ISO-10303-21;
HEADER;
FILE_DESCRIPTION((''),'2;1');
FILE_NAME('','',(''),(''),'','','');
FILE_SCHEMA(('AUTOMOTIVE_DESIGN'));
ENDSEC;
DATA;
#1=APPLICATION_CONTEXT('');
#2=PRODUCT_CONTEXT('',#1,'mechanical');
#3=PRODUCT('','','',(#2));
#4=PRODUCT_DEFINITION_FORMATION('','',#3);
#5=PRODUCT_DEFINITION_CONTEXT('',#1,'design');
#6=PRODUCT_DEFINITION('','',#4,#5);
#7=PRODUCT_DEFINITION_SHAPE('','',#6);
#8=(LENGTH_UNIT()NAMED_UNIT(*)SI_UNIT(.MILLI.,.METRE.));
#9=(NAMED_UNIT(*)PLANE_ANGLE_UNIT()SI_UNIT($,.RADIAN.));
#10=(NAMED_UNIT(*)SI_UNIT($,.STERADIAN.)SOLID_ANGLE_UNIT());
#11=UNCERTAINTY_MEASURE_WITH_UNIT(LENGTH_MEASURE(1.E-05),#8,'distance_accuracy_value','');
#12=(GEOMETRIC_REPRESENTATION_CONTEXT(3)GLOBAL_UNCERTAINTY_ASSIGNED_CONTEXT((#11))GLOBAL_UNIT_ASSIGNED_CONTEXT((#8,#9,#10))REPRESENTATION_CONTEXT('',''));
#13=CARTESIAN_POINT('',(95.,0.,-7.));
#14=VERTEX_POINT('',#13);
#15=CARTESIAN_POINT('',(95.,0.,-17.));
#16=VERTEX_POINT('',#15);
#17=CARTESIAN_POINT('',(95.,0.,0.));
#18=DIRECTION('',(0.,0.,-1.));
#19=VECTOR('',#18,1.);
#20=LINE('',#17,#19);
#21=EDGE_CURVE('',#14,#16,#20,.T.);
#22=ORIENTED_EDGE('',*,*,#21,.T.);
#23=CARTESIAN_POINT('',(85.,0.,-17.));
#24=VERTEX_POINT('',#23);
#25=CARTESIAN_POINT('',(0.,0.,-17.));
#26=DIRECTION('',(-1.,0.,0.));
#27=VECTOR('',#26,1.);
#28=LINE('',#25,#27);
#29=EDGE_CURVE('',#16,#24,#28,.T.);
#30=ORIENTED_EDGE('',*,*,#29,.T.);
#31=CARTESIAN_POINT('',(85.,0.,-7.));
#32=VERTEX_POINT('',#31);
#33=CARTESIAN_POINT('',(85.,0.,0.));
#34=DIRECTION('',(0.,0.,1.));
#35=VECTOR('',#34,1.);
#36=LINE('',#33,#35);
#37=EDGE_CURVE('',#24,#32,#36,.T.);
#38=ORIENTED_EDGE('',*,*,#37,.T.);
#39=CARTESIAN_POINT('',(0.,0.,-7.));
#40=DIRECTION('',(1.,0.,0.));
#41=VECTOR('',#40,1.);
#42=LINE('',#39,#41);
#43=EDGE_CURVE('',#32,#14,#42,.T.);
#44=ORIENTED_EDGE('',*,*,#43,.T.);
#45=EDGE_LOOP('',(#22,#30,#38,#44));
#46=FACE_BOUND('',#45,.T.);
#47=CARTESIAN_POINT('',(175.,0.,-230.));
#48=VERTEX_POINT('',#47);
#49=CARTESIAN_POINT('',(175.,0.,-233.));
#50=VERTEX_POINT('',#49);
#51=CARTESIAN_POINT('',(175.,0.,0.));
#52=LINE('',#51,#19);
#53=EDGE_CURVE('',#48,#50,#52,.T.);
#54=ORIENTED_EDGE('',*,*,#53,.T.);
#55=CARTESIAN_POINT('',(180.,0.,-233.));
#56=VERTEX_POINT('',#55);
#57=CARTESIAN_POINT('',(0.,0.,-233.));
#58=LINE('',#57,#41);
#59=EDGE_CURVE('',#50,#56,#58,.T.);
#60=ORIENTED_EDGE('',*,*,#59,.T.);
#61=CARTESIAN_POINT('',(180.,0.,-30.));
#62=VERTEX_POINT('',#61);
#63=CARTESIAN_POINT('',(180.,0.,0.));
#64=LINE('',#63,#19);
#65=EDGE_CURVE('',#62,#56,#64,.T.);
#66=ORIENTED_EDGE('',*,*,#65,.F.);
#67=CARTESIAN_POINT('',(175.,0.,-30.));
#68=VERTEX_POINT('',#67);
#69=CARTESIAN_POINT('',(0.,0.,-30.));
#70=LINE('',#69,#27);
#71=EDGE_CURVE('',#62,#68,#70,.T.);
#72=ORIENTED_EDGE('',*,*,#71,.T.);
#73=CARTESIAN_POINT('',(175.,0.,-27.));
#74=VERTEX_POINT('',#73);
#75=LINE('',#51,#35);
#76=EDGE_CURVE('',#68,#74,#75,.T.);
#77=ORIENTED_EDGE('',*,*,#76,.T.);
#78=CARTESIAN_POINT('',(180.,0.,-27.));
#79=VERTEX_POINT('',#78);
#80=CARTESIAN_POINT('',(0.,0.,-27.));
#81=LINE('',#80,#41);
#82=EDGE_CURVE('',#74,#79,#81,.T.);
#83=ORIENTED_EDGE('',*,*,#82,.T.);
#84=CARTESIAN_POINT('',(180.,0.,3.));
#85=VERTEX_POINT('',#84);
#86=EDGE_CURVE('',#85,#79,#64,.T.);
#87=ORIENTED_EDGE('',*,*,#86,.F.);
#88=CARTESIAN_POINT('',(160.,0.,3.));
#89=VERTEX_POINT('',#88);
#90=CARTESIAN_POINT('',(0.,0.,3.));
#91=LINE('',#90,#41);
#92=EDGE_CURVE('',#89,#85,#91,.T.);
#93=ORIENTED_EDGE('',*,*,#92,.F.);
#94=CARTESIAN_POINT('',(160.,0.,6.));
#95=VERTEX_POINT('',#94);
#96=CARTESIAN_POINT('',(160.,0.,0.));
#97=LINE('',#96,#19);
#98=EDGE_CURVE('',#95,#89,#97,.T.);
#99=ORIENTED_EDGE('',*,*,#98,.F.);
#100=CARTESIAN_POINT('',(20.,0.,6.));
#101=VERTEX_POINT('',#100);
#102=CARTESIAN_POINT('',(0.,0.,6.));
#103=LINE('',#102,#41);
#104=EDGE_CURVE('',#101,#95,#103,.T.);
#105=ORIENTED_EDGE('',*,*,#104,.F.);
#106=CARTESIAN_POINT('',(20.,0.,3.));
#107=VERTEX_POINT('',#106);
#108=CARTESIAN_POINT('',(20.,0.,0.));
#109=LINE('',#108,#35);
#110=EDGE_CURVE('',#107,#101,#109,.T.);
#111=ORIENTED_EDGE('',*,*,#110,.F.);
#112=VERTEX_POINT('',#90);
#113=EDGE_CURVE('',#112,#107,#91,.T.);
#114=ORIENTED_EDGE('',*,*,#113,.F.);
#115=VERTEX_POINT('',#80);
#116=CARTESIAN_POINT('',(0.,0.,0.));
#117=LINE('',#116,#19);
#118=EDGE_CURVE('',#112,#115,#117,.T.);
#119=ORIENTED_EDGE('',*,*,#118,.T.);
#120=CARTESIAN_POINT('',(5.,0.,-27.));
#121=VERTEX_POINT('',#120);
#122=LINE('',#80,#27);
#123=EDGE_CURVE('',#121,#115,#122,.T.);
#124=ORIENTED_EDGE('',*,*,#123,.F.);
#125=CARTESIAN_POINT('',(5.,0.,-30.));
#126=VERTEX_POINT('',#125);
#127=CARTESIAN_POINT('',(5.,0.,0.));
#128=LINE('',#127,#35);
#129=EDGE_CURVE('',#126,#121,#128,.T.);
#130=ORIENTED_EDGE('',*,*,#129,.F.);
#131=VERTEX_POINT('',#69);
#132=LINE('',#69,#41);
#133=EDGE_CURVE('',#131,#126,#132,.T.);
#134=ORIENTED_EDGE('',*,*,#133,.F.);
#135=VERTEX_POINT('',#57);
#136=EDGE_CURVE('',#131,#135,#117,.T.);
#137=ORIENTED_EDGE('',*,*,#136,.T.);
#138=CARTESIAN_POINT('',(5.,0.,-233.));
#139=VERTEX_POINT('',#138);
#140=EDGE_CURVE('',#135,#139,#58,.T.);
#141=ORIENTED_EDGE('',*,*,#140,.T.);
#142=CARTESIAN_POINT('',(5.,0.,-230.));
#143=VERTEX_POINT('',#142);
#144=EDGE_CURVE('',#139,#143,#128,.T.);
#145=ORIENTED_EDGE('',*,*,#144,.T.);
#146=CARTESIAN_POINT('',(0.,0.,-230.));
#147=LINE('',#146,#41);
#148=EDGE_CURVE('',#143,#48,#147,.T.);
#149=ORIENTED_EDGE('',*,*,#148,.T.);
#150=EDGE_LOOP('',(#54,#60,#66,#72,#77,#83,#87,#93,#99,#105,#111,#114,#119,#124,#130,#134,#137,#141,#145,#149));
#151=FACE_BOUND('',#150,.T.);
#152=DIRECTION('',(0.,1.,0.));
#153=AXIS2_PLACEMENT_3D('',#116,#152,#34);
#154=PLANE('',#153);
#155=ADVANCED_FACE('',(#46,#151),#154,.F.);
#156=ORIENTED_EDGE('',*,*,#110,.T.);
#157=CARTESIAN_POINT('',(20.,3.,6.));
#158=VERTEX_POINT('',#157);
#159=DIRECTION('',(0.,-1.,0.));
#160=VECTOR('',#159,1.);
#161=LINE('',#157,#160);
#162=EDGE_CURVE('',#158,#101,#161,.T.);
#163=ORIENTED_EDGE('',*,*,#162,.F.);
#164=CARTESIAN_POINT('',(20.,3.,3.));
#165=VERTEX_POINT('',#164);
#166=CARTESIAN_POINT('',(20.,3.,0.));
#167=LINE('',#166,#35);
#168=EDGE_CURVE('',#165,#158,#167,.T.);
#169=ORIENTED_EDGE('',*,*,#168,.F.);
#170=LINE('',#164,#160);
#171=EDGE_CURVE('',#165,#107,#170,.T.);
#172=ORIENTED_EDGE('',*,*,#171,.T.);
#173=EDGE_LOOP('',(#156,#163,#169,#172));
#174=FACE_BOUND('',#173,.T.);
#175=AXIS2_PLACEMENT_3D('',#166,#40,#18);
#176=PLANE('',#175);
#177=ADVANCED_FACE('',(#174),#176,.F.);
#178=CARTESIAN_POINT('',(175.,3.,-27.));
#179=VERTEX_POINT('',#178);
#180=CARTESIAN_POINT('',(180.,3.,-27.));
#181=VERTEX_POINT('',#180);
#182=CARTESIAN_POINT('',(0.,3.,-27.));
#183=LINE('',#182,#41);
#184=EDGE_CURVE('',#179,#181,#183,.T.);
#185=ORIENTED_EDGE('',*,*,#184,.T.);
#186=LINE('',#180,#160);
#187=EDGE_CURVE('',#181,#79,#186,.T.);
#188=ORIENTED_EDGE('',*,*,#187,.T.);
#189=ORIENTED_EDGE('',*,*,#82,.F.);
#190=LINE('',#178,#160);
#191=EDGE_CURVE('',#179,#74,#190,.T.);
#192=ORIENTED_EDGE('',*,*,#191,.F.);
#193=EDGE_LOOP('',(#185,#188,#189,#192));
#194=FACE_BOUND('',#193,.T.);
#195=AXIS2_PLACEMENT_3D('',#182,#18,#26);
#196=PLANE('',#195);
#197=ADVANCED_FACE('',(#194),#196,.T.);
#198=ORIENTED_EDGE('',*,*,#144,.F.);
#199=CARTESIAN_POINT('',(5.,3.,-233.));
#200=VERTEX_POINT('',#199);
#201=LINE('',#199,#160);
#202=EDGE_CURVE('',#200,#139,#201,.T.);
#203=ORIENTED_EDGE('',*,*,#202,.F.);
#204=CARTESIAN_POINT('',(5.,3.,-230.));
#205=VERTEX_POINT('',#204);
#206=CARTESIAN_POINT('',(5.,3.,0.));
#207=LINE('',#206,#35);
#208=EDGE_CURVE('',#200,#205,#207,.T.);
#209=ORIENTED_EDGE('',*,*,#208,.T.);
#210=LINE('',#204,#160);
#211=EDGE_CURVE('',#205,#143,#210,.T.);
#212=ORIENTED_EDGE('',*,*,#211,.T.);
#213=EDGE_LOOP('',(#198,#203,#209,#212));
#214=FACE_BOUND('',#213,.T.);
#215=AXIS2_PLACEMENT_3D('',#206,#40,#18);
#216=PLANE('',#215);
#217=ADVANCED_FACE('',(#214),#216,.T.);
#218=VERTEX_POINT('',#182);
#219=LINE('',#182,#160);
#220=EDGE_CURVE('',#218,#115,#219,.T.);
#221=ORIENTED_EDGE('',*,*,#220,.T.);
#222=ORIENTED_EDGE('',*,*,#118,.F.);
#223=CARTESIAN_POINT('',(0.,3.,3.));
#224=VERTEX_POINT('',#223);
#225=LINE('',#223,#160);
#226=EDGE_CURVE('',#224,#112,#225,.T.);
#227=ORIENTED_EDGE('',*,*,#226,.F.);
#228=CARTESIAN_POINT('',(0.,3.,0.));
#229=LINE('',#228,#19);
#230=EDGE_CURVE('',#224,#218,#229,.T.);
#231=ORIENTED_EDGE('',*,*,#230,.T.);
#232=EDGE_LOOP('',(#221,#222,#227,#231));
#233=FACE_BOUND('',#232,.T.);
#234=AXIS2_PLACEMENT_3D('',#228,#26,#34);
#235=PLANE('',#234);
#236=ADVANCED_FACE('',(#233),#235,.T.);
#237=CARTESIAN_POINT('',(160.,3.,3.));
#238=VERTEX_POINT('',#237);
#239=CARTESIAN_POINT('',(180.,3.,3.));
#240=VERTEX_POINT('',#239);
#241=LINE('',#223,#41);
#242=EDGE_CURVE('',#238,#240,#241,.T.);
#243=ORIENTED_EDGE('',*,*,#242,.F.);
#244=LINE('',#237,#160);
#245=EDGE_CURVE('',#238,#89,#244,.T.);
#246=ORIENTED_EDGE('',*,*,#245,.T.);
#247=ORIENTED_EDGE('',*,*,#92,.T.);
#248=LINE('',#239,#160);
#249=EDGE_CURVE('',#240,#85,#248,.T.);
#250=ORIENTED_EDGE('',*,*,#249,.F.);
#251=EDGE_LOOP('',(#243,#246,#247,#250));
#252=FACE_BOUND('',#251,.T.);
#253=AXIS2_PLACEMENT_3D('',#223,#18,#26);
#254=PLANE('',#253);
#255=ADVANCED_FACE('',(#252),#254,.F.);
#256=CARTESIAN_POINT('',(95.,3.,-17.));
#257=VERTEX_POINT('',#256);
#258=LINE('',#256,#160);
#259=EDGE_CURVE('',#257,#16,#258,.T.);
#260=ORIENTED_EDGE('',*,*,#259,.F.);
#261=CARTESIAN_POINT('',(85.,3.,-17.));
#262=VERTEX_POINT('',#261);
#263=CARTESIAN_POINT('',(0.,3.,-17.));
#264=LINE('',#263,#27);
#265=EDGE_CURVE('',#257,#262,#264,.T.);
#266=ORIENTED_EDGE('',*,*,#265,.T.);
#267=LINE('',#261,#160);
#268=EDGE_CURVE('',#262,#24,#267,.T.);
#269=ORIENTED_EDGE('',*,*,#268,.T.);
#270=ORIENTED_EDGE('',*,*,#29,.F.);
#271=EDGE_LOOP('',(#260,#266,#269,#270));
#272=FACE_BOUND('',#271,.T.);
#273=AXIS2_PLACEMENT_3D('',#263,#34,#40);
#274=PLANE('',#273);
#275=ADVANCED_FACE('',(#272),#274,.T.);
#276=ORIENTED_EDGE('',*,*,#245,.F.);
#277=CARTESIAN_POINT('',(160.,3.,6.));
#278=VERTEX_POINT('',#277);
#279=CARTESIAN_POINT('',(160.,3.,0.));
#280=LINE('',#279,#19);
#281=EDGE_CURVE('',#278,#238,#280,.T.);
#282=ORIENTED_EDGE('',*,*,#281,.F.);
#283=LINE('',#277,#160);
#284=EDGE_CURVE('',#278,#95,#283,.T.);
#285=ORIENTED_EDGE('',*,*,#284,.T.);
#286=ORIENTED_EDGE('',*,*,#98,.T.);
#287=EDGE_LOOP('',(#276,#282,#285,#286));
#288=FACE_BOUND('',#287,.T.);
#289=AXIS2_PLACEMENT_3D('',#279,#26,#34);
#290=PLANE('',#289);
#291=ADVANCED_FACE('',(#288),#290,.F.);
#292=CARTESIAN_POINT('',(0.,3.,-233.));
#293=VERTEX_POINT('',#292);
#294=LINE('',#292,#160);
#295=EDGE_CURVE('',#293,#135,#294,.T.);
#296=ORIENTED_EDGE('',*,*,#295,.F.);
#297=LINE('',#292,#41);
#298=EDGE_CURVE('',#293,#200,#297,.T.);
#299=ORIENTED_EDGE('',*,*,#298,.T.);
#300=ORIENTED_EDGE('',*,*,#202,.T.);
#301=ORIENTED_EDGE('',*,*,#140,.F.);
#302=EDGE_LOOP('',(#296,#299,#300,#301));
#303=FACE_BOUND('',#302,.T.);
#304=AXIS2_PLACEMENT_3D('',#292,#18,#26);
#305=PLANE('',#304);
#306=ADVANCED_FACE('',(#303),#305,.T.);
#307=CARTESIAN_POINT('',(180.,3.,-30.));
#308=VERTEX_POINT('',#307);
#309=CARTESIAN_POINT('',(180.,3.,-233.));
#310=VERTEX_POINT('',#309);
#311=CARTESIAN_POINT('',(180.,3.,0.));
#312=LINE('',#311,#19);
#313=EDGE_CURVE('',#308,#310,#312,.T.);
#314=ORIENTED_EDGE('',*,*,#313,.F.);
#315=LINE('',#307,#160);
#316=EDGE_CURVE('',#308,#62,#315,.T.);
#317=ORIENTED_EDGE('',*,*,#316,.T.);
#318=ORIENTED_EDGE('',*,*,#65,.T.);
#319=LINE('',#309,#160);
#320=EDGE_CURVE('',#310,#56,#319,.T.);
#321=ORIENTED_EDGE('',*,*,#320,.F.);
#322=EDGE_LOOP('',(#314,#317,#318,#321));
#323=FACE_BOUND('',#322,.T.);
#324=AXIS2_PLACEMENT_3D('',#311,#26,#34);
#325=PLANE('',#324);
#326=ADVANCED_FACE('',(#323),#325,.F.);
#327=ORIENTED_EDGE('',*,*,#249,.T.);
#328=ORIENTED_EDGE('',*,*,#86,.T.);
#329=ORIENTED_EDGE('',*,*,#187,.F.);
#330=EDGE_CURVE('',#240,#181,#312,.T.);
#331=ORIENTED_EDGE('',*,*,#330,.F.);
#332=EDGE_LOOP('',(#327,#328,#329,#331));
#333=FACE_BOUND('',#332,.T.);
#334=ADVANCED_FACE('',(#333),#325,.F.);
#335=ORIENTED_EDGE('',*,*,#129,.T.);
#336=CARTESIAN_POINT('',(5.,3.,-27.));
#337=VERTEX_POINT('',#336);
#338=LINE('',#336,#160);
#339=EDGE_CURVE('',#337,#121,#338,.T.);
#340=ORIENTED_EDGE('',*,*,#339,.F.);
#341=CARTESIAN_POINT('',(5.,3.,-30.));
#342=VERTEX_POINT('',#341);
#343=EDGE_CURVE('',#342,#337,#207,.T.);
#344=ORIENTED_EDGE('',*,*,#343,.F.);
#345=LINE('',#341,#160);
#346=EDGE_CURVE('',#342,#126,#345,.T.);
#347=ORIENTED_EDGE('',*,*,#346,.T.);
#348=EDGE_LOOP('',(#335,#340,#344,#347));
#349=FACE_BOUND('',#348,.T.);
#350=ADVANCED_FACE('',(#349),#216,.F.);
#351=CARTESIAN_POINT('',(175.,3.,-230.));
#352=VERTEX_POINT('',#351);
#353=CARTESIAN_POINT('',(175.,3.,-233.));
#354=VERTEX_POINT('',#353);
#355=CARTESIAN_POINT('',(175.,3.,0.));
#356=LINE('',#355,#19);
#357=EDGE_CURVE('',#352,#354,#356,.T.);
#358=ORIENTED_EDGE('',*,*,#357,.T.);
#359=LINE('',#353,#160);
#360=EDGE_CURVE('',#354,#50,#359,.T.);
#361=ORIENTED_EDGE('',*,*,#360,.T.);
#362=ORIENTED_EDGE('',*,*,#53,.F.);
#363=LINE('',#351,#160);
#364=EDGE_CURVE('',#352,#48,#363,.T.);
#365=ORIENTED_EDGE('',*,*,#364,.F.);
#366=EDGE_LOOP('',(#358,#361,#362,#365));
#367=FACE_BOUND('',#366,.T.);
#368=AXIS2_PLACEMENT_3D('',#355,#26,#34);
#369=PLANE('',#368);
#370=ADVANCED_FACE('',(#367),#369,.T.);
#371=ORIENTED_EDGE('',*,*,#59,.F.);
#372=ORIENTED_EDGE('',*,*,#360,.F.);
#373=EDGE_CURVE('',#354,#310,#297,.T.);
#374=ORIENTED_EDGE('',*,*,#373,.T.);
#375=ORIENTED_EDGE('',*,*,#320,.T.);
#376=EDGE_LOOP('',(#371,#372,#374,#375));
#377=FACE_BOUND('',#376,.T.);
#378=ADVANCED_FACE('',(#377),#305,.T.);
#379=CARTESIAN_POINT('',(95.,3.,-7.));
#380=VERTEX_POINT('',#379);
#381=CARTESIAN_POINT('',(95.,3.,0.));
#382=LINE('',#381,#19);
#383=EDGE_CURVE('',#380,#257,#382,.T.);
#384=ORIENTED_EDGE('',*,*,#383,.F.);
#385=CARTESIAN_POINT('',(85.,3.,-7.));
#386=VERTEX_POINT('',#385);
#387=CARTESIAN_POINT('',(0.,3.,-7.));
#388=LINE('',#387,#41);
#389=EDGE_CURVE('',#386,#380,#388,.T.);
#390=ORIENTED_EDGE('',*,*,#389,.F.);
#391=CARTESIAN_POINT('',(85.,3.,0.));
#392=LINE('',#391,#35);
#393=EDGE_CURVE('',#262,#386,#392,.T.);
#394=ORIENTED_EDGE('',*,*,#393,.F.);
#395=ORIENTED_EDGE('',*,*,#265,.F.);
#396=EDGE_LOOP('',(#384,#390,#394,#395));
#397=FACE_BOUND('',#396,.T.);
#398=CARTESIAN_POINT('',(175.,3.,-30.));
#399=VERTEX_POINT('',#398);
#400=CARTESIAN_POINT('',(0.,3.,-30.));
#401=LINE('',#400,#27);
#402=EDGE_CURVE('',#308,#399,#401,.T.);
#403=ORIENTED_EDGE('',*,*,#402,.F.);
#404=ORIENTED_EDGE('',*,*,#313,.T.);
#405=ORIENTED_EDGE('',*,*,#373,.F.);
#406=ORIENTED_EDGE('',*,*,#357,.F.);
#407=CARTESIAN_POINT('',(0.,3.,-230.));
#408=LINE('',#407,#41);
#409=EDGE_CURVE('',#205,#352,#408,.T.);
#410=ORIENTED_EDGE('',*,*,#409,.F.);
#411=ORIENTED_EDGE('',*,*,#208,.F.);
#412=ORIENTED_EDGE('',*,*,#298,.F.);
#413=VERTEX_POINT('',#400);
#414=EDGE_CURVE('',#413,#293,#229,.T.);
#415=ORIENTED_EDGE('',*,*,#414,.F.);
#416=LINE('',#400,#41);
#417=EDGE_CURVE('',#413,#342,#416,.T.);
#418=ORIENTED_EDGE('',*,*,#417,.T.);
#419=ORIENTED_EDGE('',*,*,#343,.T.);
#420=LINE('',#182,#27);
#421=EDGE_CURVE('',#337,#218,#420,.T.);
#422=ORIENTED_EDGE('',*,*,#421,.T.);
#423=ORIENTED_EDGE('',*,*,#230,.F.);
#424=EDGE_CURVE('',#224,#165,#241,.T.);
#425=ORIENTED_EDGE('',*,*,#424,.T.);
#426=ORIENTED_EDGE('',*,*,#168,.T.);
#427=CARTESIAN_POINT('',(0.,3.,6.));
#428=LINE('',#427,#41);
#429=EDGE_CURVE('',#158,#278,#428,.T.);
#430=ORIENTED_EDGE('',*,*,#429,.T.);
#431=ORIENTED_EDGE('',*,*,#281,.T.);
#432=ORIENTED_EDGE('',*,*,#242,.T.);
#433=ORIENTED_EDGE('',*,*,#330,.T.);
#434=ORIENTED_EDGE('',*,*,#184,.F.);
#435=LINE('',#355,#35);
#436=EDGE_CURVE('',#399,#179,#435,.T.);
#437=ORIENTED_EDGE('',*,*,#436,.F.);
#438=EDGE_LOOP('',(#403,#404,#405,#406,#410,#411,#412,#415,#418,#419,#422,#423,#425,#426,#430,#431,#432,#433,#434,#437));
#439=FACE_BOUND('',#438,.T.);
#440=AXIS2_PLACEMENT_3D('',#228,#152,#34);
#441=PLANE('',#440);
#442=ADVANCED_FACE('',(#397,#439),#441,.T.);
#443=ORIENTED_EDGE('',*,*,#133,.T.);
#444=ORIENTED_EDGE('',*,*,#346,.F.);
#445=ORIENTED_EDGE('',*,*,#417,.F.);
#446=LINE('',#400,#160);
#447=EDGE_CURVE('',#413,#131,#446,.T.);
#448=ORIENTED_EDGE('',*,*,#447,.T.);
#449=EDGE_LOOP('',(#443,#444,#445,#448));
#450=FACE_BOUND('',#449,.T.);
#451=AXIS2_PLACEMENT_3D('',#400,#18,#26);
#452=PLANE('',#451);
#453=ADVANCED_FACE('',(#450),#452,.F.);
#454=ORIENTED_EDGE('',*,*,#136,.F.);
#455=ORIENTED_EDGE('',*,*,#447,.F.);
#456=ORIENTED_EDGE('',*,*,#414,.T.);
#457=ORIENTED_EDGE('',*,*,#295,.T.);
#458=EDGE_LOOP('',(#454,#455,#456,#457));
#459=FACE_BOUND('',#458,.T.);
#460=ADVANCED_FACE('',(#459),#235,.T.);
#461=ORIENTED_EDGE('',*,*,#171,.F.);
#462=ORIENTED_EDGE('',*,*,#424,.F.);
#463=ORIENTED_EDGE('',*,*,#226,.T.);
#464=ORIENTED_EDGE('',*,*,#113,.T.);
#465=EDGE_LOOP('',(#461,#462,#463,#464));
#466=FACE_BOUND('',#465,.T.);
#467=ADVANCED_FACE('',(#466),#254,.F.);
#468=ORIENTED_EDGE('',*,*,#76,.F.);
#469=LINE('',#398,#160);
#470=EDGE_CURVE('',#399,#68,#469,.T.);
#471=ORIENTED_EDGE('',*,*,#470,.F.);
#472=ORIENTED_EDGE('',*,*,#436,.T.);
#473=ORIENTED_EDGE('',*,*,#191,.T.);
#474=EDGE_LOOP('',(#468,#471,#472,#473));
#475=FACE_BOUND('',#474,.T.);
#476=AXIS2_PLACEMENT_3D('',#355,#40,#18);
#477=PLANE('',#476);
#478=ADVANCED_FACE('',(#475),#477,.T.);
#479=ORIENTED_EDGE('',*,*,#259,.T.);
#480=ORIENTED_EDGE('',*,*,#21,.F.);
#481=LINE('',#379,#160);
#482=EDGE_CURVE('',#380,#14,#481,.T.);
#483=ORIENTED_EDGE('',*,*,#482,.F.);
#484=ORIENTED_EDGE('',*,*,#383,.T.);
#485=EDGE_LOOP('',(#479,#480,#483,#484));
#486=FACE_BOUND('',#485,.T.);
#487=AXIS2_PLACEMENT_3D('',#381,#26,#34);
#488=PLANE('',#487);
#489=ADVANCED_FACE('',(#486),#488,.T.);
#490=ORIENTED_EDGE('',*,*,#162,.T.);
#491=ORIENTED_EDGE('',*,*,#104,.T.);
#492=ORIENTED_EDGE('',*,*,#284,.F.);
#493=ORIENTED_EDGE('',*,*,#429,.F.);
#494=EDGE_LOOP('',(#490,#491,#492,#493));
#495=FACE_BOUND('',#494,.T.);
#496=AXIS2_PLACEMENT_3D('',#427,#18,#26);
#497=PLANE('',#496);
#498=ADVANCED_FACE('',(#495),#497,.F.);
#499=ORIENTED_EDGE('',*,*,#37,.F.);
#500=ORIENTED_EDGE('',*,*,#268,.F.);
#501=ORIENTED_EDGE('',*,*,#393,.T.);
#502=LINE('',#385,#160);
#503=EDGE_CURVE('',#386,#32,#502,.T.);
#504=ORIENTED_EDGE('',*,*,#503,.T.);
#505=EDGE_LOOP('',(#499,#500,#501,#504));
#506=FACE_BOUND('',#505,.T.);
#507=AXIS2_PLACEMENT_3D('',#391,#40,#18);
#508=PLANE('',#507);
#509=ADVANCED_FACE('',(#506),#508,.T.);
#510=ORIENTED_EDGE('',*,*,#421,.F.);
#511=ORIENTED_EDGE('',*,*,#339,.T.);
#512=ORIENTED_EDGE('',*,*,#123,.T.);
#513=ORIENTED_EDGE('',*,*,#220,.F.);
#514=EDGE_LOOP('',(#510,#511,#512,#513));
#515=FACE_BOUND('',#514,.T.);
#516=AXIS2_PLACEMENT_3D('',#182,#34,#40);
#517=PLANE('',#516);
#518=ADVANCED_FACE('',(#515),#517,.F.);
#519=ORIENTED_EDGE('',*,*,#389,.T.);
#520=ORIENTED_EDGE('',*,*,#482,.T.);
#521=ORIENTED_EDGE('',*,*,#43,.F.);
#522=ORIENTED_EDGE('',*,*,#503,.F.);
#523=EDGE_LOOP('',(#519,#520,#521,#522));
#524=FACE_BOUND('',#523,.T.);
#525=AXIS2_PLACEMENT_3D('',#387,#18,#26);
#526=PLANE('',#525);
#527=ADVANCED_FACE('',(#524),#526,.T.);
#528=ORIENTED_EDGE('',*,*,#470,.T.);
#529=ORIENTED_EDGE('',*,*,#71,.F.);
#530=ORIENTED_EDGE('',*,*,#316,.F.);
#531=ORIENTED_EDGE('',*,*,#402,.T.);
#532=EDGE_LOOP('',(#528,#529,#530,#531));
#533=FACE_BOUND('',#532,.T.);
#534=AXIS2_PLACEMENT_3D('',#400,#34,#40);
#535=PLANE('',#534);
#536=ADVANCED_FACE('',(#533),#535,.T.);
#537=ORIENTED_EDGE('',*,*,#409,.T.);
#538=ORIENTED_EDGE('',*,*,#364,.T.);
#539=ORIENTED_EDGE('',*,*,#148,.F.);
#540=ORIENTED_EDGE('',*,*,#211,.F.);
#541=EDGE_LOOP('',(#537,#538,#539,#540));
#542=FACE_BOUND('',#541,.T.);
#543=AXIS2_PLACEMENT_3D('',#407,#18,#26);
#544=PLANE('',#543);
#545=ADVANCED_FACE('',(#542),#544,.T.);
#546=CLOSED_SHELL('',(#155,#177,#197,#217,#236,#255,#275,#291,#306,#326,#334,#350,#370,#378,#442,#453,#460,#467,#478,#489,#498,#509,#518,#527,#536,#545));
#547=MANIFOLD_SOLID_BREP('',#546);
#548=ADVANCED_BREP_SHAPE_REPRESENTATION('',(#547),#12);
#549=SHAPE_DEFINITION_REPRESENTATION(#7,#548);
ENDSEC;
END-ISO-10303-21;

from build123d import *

# Parameters (mm, degrees)
SKETCH_1_W      = 10
SKETCH_1_H      = 10
EXTRUDE_1_DEPTH = 3


with BuildPart() as part:
    # 草图1 → 凸台-拉伸1 (new body)
    with BuildSketch(Plane(origin=(0, 0, 0), x_dir=(1, 0, 0), z_dir=(0, 1, 0))):
        Polygon((160, -3), (180, -3), (180, 0), (180, 27), (175, 27), (175, 30), (180, 30), (180, 230), (180, 233), (175, 233), (175, 230), (5, 230), (5, 233), (0, 233), (0, 230), (0, 30), (5, 30), (5, 27), (0, 27), (0, 0), (0, -3), (20, -3), (20, -6), (160, -6), align=None)
        with Locations((90, 12)):
            Rectangle(SKETCH_1_W, SKETCH_1_H, mode=Mode.SUBTRACT)
    extrude(amount=EXTRUDE_1_DEPTH)


solid = part.part
